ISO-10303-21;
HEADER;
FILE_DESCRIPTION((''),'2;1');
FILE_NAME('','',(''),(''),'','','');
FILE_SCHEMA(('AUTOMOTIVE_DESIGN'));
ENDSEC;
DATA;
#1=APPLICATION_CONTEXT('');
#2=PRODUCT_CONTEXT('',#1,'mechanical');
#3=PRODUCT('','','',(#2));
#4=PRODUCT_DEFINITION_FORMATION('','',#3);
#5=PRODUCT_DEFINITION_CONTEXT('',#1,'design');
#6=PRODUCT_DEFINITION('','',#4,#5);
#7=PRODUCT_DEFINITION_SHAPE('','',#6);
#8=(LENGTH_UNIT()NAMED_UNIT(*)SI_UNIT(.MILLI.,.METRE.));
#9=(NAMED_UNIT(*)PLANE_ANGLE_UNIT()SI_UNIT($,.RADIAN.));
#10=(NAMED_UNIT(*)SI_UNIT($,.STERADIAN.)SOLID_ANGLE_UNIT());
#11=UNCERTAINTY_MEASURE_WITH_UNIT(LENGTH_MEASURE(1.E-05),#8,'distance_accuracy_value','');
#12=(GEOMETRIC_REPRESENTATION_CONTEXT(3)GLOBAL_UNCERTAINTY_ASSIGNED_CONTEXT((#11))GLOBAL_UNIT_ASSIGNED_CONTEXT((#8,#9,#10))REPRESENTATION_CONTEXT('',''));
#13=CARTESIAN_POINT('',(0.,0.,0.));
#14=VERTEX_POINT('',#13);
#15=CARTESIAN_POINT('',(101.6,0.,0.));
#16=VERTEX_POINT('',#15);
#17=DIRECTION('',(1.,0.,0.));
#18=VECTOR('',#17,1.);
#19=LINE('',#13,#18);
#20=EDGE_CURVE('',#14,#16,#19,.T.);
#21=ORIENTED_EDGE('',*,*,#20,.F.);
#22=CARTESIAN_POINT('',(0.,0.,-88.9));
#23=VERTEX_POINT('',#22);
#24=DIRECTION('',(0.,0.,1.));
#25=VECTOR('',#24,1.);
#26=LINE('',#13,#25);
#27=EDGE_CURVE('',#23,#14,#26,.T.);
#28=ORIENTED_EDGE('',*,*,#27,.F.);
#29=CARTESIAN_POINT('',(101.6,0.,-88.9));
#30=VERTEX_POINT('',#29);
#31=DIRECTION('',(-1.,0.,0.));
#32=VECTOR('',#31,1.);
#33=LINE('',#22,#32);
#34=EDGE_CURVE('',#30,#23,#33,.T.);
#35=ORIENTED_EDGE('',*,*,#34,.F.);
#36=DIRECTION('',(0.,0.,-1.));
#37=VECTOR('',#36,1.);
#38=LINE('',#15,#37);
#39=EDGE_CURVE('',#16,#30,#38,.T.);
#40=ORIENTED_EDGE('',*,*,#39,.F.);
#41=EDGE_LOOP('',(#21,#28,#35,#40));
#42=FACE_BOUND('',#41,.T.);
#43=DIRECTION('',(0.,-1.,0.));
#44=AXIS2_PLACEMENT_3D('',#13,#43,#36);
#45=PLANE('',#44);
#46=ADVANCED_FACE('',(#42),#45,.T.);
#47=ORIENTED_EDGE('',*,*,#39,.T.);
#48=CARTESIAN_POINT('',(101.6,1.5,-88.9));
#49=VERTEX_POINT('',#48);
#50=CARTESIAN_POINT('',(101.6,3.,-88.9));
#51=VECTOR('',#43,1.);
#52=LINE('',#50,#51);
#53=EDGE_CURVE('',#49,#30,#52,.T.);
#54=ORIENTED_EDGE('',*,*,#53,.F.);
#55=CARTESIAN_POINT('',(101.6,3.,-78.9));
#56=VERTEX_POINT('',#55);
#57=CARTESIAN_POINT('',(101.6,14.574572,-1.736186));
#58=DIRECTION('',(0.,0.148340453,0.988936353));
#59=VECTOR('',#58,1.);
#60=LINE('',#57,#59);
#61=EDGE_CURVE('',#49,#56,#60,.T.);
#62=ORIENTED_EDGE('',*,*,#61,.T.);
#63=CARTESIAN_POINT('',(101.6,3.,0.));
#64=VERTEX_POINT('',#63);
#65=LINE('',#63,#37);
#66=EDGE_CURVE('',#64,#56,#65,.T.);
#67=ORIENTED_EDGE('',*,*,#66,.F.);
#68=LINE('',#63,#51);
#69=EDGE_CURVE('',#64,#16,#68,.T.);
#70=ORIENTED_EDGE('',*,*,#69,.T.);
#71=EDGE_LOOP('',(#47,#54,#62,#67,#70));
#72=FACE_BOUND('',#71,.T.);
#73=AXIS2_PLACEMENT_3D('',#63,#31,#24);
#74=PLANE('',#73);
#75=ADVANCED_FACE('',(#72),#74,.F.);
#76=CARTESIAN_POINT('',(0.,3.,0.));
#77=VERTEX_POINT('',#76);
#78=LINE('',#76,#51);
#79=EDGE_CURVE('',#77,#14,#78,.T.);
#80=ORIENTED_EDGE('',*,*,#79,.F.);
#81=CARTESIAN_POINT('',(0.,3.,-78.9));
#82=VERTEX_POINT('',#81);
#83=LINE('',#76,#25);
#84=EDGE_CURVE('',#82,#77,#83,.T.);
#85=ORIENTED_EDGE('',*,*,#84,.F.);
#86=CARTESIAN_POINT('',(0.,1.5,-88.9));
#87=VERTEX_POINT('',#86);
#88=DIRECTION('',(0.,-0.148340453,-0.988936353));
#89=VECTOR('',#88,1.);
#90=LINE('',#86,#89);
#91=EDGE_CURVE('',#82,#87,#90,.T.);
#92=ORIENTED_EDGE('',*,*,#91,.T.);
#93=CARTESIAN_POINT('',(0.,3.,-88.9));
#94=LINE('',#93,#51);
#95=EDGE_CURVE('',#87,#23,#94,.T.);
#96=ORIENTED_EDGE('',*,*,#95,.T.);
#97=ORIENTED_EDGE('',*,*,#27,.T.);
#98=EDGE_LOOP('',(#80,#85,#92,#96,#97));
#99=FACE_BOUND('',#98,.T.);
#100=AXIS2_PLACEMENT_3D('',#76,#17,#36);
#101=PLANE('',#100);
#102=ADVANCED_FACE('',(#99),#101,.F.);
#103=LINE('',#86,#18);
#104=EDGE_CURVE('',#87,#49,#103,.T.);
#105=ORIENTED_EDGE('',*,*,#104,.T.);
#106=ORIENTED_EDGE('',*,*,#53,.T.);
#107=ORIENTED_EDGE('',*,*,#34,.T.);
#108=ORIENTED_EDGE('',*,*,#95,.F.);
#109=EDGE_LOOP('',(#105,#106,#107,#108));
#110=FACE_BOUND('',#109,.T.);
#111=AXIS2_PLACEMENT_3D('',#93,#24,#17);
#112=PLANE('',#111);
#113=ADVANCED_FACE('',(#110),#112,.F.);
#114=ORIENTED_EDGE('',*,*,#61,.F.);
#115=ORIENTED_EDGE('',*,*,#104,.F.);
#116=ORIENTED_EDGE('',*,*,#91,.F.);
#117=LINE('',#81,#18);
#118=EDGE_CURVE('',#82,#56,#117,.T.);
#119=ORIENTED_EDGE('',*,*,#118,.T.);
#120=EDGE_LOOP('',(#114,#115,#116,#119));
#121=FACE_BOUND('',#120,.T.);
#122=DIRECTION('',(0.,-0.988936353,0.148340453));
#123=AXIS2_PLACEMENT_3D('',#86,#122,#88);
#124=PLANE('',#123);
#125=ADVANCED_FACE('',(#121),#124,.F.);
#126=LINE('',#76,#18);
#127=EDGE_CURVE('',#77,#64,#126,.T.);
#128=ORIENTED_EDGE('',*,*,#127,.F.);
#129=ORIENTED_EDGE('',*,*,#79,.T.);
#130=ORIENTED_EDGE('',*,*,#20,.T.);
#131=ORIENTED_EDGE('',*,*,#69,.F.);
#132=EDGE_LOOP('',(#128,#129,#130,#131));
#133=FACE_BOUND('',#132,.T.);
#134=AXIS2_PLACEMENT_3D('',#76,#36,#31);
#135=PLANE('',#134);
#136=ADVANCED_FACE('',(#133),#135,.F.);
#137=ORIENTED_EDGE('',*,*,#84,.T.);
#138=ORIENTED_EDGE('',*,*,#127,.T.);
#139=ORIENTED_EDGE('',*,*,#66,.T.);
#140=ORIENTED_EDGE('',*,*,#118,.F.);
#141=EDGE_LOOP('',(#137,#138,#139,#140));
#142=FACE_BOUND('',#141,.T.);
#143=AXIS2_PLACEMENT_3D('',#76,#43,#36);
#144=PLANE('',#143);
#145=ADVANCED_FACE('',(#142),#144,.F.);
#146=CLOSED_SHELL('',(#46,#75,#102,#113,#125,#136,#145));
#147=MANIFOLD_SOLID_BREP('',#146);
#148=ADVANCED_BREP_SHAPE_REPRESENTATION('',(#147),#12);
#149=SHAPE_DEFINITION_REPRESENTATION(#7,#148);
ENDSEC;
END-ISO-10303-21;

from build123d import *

# Parameters (mm, degrees)
CROQUIS1_W                 = 101.6
CROQUIS1_H                 = 88.9
SALIENTE_EXTRUIR1_DEPTH    = 3
CORTAR_EXTRUIR1_DEPTH      = 136.036180337
CORTAR_EXTRUIR1_DEPTH_BACK = 136.036180337


with BuildPart() as part:
    # Croquis1 → Saliente-Extruir1 (new body)
    with BuildSketch(Plane(origin=(0, 0, 0), x_dir=(1, 0, 0), z_dir=(0, 1, 0))):
        with Locations((50.8, 44.45)):
            Rectangle(CROQUIS1_W, CROQUIS1_H)
    extrude(amount=SALIENTE_EXTRUIR1_DEPTH)

    # Croquis2 → Cortar-Extruir1 (cut, two sides: drawn at the far end of the back side and taken through both)
    with BuildSketch(Plane(origin=(101.6, 0, 0), x_dir=(0, 0, -1), z_dir=(1, 0, 0)).offset(-CORTAR_EXTRUIR1_DEPTH_BACK)):
        Polygon((88.9, 3), (88.9, 1.5), (78.9, 3), (78.9, 5.806097786), (88.9, 5.806097786), align=None)
    extrude(amount=CORTAR_EXTRUIR1_DEPTH + CORTAR_EXTRUIR1_DEPTH_BACK, mode=Mode.SUBTRACT)


solid = part.part
